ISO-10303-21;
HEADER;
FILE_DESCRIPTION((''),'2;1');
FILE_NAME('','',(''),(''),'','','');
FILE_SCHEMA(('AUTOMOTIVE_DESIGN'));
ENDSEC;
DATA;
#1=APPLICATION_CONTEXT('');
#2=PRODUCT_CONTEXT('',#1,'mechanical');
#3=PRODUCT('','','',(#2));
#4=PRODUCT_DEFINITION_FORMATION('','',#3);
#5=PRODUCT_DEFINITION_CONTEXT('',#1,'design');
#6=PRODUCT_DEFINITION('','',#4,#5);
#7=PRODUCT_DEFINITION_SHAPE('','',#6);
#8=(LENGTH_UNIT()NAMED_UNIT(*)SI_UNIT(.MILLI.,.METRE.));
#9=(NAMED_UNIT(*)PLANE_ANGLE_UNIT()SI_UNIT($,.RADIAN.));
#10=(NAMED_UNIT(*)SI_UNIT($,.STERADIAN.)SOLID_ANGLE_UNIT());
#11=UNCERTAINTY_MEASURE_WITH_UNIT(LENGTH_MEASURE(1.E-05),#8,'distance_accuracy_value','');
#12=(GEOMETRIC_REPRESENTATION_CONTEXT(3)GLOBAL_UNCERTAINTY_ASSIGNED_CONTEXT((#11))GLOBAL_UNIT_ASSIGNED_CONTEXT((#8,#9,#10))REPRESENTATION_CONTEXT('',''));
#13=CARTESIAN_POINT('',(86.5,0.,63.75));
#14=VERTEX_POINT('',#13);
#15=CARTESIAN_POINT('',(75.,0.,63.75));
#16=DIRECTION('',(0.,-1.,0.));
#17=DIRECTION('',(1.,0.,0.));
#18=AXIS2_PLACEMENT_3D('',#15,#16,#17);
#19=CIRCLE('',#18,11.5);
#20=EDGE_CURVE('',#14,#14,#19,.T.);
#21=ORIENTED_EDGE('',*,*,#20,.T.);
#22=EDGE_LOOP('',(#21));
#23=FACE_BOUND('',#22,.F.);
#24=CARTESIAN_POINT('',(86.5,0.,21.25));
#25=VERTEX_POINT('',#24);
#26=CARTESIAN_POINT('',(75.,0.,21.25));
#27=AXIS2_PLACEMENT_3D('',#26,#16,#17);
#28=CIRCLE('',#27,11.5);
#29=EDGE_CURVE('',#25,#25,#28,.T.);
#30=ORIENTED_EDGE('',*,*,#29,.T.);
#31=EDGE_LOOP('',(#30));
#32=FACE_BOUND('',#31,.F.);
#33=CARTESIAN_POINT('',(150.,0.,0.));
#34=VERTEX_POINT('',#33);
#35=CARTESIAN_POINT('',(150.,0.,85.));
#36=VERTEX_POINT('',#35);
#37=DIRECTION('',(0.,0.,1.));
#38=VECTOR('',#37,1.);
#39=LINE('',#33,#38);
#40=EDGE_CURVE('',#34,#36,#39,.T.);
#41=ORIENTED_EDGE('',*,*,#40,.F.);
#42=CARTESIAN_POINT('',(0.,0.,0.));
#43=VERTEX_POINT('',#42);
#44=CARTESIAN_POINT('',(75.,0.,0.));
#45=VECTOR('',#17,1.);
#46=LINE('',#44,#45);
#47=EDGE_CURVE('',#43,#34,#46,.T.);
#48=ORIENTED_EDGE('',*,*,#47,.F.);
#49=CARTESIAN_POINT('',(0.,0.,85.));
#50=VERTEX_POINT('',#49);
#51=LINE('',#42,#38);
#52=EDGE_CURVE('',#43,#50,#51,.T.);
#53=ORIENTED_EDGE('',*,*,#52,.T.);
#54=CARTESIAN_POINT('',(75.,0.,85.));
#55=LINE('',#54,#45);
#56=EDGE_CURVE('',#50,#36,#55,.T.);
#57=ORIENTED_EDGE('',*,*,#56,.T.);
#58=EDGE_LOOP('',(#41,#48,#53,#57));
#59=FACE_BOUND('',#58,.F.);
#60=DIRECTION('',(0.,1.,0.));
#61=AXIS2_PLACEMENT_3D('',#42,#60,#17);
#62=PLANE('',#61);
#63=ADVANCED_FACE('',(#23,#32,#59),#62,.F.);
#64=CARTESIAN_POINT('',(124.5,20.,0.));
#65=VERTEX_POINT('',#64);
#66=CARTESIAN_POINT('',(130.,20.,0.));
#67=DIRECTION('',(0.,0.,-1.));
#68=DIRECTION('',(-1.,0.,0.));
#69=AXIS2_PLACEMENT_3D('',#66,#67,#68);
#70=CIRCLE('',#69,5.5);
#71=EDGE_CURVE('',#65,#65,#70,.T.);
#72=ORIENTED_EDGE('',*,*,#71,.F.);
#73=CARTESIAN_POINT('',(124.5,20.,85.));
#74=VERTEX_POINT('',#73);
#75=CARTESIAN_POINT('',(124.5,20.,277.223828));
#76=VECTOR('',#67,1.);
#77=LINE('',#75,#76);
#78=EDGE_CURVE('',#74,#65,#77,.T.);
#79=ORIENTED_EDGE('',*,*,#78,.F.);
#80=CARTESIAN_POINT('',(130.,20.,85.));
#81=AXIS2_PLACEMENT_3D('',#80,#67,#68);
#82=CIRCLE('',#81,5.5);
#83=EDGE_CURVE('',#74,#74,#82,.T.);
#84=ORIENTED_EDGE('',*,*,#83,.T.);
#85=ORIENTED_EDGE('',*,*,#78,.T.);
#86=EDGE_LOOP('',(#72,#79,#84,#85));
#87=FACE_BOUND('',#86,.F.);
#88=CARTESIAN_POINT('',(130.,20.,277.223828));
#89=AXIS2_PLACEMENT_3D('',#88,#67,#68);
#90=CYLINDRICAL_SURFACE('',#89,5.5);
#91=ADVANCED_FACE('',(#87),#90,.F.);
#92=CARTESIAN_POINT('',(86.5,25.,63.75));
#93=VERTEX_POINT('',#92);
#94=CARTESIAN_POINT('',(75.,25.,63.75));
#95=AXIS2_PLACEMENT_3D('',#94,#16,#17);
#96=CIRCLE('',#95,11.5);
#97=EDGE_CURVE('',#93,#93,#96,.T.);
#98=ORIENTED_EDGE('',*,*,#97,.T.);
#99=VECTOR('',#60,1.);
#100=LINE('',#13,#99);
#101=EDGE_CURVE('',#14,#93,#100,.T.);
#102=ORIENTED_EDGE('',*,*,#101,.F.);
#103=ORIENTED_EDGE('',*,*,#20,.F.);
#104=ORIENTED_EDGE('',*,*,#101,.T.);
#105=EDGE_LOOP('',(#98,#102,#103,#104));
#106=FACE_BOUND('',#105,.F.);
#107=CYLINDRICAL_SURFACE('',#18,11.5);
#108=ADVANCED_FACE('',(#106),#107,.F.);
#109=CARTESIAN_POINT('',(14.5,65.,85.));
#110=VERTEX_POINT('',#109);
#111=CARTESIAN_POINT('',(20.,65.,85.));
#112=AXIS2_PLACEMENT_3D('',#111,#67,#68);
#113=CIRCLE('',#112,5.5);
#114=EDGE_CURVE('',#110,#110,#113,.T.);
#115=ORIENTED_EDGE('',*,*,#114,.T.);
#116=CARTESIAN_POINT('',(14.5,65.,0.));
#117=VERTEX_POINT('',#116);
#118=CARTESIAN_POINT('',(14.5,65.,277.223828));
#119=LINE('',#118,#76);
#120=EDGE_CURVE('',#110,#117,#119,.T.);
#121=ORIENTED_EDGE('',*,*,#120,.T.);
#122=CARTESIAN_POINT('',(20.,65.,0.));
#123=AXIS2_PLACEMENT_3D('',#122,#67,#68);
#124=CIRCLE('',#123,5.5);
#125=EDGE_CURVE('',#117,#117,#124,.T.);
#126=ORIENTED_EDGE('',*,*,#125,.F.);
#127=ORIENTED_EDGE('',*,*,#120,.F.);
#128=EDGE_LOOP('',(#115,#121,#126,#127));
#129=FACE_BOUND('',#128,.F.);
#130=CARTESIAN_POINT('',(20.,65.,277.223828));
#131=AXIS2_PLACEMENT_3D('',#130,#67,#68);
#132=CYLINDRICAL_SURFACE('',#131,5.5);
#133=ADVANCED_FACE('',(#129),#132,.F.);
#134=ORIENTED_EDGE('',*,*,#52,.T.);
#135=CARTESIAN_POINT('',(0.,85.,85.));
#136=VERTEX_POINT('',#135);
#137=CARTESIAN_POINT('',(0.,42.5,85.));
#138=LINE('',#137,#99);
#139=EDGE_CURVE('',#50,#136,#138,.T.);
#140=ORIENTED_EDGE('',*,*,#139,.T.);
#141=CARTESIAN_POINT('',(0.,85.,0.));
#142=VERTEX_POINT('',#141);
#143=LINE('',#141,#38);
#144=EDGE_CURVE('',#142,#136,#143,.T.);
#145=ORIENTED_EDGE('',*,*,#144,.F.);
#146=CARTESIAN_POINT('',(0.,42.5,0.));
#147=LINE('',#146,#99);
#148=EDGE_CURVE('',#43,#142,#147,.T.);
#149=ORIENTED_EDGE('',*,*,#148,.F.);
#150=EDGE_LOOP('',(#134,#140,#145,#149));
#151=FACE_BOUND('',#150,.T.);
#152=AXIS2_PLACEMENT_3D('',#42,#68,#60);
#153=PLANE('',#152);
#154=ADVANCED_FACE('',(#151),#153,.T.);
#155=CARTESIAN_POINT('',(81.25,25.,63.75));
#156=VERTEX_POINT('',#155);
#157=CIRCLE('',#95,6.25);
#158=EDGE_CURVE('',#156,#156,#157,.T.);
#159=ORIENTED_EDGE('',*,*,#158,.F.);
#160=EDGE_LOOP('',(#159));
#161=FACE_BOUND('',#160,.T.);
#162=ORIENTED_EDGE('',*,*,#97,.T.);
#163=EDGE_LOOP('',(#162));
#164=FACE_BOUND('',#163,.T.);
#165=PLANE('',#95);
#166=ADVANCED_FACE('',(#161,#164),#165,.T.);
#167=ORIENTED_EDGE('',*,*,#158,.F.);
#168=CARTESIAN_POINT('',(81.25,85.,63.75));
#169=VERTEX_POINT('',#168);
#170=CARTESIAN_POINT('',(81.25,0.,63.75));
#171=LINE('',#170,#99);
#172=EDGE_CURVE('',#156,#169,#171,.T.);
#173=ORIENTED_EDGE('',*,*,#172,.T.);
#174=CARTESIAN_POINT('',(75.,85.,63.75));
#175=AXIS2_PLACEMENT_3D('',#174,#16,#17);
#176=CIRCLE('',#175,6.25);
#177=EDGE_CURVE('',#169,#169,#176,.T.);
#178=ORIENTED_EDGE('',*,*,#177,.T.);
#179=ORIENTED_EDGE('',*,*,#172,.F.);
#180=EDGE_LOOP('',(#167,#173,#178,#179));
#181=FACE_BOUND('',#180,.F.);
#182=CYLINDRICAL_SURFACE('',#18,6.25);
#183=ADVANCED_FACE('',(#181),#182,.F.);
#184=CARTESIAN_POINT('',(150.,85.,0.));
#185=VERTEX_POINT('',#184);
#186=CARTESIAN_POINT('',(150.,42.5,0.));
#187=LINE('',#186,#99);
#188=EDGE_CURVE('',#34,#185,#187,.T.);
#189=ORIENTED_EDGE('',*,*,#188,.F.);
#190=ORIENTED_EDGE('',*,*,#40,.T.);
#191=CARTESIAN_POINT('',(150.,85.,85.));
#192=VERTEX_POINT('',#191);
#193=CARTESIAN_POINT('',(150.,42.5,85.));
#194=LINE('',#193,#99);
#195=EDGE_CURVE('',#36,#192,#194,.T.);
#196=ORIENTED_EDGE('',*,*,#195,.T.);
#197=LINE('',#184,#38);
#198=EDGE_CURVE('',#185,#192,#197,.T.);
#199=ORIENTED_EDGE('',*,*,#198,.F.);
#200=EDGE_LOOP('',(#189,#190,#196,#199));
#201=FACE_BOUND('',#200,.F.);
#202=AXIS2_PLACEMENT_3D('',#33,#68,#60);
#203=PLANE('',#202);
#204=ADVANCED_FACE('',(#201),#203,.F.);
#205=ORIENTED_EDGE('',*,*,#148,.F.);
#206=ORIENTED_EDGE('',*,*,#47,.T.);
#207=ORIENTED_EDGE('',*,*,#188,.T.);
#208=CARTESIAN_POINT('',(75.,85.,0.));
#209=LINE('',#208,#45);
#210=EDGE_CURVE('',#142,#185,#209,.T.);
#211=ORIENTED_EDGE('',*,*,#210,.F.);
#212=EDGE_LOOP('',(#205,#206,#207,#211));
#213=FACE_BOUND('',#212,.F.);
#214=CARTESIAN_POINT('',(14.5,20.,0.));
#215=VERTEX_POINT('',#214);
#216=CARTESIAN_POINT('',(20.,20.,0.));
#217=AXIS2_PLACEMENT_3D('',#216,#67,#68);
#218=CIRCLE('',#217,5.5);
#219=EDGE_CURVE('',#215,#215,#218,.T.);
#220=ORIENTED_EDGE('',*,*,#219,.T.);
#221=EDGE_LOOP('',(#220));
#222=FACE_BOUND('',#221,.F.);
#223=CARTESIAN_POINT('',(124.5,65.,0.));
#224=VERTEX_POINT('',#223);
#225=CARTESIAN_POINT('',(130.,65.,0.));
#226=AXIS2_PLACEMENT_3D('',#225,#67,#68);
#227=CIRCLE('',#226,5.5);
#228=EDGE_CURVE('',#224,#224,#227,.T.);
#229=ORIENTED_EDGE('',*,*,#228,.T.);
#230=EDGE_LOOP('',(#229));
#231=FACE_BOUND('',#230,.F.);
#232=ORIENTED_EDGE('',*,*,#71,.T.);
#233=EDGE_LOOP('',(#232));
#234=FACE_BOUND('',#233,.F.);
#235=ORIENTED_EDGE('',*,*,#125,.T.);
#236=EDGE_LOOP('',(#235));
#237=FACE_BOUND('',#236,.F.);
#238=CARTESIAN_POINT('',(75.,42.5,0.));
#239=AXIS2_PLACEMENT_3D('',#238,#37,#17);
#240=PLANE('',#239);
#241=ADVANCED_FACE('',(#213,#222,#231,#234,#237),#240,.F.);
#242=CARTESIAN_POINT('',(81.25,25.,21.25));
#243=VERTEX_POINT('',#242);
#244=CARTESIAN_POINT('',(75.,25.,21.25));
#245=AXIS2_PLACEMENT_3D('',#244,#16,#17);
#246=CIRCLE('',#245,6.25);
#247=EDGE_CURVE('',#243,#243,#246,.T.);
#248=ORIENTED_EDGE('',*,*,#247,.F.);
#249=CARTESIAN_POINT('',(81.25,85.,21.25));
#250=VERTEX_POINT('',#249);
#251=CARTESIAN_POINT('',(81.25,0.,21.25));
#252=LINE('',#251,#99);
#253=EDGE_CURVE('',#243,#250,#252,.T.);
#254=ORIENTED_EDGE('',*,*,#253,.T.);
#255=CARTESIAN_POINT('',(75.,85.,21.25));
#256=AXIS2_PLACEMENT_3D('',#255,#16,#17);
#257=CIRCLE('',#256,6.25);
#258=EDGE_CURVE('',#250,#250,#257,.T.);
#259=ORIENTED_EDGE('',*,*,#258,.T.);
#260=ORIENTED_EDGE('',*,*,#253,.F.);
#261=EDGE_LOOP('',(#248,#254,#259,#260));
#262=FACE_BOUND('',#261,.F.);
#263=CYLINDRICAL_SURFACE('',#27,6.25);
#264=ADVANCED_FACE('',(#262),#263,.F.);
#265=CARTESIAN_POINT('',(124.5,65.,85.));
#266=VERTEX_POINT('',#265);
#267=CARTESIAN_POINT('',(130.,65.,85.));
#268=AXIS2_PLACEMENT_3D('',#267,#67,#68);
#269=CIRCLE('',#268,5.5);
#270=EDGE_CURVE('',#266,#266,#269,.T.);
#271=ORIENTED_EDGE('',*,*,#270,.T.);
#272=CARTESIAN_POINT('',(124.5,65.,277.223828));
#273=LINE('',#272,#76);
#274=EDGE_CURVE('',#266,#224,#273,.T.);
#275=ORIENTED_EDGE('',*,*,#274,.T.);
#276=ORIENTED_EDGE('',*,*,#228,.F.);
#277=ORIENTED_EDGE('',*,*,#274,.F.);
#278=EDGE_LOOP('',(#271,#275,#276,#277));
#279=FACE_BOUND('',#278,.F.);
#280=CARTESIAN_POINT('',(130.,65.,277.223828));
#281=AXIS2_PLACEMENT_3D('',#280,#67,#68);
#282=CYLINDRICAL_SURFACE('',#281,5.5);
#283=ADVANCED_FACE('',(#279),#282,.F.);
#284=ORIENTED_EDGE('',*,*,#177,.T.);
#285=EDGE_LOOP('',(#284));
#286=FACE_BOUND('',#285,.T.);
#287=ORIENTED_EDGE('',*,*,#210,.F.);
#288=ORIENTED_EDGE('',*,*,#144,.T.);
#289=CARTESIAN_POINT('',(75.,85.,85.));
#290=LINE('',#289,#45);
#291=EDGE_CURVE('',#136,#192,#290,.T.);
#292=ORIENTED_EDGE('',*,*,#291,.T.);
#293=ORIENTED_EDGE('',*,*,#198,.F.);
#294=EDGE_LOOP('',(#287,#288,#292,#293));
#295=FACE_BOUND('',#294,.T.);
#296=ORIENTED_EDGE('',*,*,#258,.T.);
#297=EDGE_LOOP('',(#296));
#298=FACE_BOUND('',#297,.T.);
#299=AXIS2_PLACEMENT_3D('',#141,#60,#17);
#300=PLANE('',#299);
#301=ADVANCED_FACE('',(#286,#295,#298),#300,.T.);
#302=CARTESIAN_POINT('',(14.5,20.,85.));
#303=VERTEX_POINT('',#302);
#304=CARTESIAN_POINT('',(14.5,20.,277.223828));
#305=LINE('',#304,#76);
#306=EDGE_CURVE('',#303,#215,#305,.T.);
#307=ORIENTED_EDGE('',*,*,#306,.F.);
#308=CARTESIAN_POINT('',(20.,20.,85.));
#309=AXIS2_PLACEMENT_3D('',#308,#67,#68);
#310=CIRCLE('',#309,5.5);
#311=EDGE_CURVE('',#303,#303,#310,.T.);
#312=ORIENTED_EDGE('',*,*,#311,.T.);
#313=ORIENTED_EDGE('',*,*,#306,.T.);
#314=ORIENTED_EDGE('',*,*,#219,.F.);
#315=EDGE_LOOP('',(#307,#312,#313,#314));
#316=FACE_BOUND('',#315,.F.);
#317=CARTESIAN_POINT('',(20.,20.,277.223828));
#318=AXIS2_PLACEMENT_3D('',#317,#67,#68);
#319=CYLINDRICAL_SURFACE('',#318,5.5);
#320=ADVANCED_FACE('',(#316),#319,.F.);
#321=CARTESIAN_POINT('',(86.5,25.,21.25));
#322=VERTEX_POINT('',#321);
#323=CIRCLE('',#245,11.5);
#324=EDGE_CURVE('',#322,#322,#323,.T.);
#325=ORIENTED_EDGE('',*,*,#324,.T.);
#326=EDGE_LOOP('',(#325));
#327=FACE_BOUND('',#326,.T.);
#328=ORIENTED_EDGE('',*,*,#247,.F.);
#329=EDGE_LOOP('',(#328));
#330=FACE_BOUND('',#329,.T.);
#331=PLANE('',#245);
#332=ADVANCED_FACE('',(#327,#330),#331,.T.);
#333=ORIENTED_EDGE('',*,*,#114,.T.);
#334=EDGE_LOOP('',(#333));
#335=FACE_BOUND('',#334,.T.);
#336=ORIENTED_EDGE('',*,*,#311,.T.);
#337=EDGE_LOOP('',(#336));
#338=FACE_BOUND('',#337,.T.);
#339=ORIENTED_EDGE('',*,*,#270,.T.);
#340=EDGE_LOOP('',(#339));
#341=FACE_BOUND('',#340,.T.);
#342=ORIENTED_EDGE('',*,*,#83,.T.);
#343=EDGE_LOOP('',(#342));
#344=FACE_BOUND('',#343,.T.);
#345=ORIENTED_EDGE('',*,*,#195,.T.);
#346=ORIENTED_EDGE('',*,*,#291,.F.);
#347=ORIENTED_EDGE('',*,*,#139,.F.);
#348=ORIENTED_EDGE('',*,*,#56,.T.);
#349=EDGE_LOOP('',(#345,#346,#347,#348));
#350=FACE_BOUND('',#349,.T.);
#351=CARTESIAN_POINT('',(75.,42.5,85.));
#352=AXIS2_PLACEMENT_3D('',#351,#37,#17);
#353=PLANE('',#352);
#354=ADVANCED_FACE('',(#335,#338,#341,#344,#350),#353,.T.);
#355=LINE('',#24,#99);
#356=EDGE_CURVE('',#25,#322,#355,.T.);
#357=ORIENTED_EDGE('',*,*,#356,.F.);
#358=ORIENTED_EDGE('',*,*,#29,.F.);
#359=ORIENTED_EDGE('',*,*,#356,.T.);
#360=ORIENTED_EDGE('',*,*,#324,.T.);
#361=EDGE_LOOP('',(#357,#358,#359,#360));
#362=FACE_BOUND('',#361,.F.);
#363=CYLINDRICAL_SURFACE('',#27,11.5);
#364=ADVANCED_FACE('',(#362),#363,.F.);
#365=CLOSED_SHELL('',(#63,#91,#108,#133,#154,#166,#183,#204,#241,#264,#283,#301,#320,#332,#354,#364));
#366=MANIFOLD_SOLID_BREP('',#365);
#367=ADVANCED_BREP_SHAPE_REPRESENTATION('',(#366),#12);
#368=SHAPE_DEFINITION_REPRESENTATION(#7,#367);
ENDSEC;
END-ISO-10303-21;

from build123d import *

# Parameters (mm, degrees)
F0_W     = 150
F0_H     = 85
F1_DEPTH = 85
F2_R     = 6.25
F3_DEPTH = 85.001
F2_R_2   = 11.5
F4_DEPTH = 25
F6_D     = 11


with BuildPart() as f1:
    # F0 (on Top) → F1 (new body)
    with BuildSketch(Plane.XY):
        with Locations((75, 42.5)):
            Rectangle(F0_W, F0_H)
    extrude(amount=F1_DEPTH)

    # F2 (on face) → F3 (cut, through all)
    with BuildSketch(Plane.XZ):
        with Locations((75, 63.75)):
            Circle(F2_R)
        with Locations((75, 21.25)):
            Circle(F2_R)
    extrude(amount=-F3_DEPTH, mode=Mode.SUBTRACT)

    # F2 (on face) → F4 (cut)
    with BuildSketch(Plane.XZ):
        with Locations((75, 63.75)):
            Circle(F2_R_2)
        with Locations((75, 63.75)):
            Circle(F2_R, mode=Mode.SUBTRACT)
        with Locations((75, 21.25)):
            Circle(F2_R_2)
        with Locations((75, 21.25)):
            Circle(F2_R, mode=Mode.SUBTRACT)
    extrude(amount=-F4_DEPTH, mode=Mode.SUBTRACT)

    # F6 (through all)
    with Locations(Plane.XY.offset(85)):
        with Locations((20, 65), (20, 20), (130, 20), (130, 65)):
            Hole(F6_D / 2)


solid = f1.part
